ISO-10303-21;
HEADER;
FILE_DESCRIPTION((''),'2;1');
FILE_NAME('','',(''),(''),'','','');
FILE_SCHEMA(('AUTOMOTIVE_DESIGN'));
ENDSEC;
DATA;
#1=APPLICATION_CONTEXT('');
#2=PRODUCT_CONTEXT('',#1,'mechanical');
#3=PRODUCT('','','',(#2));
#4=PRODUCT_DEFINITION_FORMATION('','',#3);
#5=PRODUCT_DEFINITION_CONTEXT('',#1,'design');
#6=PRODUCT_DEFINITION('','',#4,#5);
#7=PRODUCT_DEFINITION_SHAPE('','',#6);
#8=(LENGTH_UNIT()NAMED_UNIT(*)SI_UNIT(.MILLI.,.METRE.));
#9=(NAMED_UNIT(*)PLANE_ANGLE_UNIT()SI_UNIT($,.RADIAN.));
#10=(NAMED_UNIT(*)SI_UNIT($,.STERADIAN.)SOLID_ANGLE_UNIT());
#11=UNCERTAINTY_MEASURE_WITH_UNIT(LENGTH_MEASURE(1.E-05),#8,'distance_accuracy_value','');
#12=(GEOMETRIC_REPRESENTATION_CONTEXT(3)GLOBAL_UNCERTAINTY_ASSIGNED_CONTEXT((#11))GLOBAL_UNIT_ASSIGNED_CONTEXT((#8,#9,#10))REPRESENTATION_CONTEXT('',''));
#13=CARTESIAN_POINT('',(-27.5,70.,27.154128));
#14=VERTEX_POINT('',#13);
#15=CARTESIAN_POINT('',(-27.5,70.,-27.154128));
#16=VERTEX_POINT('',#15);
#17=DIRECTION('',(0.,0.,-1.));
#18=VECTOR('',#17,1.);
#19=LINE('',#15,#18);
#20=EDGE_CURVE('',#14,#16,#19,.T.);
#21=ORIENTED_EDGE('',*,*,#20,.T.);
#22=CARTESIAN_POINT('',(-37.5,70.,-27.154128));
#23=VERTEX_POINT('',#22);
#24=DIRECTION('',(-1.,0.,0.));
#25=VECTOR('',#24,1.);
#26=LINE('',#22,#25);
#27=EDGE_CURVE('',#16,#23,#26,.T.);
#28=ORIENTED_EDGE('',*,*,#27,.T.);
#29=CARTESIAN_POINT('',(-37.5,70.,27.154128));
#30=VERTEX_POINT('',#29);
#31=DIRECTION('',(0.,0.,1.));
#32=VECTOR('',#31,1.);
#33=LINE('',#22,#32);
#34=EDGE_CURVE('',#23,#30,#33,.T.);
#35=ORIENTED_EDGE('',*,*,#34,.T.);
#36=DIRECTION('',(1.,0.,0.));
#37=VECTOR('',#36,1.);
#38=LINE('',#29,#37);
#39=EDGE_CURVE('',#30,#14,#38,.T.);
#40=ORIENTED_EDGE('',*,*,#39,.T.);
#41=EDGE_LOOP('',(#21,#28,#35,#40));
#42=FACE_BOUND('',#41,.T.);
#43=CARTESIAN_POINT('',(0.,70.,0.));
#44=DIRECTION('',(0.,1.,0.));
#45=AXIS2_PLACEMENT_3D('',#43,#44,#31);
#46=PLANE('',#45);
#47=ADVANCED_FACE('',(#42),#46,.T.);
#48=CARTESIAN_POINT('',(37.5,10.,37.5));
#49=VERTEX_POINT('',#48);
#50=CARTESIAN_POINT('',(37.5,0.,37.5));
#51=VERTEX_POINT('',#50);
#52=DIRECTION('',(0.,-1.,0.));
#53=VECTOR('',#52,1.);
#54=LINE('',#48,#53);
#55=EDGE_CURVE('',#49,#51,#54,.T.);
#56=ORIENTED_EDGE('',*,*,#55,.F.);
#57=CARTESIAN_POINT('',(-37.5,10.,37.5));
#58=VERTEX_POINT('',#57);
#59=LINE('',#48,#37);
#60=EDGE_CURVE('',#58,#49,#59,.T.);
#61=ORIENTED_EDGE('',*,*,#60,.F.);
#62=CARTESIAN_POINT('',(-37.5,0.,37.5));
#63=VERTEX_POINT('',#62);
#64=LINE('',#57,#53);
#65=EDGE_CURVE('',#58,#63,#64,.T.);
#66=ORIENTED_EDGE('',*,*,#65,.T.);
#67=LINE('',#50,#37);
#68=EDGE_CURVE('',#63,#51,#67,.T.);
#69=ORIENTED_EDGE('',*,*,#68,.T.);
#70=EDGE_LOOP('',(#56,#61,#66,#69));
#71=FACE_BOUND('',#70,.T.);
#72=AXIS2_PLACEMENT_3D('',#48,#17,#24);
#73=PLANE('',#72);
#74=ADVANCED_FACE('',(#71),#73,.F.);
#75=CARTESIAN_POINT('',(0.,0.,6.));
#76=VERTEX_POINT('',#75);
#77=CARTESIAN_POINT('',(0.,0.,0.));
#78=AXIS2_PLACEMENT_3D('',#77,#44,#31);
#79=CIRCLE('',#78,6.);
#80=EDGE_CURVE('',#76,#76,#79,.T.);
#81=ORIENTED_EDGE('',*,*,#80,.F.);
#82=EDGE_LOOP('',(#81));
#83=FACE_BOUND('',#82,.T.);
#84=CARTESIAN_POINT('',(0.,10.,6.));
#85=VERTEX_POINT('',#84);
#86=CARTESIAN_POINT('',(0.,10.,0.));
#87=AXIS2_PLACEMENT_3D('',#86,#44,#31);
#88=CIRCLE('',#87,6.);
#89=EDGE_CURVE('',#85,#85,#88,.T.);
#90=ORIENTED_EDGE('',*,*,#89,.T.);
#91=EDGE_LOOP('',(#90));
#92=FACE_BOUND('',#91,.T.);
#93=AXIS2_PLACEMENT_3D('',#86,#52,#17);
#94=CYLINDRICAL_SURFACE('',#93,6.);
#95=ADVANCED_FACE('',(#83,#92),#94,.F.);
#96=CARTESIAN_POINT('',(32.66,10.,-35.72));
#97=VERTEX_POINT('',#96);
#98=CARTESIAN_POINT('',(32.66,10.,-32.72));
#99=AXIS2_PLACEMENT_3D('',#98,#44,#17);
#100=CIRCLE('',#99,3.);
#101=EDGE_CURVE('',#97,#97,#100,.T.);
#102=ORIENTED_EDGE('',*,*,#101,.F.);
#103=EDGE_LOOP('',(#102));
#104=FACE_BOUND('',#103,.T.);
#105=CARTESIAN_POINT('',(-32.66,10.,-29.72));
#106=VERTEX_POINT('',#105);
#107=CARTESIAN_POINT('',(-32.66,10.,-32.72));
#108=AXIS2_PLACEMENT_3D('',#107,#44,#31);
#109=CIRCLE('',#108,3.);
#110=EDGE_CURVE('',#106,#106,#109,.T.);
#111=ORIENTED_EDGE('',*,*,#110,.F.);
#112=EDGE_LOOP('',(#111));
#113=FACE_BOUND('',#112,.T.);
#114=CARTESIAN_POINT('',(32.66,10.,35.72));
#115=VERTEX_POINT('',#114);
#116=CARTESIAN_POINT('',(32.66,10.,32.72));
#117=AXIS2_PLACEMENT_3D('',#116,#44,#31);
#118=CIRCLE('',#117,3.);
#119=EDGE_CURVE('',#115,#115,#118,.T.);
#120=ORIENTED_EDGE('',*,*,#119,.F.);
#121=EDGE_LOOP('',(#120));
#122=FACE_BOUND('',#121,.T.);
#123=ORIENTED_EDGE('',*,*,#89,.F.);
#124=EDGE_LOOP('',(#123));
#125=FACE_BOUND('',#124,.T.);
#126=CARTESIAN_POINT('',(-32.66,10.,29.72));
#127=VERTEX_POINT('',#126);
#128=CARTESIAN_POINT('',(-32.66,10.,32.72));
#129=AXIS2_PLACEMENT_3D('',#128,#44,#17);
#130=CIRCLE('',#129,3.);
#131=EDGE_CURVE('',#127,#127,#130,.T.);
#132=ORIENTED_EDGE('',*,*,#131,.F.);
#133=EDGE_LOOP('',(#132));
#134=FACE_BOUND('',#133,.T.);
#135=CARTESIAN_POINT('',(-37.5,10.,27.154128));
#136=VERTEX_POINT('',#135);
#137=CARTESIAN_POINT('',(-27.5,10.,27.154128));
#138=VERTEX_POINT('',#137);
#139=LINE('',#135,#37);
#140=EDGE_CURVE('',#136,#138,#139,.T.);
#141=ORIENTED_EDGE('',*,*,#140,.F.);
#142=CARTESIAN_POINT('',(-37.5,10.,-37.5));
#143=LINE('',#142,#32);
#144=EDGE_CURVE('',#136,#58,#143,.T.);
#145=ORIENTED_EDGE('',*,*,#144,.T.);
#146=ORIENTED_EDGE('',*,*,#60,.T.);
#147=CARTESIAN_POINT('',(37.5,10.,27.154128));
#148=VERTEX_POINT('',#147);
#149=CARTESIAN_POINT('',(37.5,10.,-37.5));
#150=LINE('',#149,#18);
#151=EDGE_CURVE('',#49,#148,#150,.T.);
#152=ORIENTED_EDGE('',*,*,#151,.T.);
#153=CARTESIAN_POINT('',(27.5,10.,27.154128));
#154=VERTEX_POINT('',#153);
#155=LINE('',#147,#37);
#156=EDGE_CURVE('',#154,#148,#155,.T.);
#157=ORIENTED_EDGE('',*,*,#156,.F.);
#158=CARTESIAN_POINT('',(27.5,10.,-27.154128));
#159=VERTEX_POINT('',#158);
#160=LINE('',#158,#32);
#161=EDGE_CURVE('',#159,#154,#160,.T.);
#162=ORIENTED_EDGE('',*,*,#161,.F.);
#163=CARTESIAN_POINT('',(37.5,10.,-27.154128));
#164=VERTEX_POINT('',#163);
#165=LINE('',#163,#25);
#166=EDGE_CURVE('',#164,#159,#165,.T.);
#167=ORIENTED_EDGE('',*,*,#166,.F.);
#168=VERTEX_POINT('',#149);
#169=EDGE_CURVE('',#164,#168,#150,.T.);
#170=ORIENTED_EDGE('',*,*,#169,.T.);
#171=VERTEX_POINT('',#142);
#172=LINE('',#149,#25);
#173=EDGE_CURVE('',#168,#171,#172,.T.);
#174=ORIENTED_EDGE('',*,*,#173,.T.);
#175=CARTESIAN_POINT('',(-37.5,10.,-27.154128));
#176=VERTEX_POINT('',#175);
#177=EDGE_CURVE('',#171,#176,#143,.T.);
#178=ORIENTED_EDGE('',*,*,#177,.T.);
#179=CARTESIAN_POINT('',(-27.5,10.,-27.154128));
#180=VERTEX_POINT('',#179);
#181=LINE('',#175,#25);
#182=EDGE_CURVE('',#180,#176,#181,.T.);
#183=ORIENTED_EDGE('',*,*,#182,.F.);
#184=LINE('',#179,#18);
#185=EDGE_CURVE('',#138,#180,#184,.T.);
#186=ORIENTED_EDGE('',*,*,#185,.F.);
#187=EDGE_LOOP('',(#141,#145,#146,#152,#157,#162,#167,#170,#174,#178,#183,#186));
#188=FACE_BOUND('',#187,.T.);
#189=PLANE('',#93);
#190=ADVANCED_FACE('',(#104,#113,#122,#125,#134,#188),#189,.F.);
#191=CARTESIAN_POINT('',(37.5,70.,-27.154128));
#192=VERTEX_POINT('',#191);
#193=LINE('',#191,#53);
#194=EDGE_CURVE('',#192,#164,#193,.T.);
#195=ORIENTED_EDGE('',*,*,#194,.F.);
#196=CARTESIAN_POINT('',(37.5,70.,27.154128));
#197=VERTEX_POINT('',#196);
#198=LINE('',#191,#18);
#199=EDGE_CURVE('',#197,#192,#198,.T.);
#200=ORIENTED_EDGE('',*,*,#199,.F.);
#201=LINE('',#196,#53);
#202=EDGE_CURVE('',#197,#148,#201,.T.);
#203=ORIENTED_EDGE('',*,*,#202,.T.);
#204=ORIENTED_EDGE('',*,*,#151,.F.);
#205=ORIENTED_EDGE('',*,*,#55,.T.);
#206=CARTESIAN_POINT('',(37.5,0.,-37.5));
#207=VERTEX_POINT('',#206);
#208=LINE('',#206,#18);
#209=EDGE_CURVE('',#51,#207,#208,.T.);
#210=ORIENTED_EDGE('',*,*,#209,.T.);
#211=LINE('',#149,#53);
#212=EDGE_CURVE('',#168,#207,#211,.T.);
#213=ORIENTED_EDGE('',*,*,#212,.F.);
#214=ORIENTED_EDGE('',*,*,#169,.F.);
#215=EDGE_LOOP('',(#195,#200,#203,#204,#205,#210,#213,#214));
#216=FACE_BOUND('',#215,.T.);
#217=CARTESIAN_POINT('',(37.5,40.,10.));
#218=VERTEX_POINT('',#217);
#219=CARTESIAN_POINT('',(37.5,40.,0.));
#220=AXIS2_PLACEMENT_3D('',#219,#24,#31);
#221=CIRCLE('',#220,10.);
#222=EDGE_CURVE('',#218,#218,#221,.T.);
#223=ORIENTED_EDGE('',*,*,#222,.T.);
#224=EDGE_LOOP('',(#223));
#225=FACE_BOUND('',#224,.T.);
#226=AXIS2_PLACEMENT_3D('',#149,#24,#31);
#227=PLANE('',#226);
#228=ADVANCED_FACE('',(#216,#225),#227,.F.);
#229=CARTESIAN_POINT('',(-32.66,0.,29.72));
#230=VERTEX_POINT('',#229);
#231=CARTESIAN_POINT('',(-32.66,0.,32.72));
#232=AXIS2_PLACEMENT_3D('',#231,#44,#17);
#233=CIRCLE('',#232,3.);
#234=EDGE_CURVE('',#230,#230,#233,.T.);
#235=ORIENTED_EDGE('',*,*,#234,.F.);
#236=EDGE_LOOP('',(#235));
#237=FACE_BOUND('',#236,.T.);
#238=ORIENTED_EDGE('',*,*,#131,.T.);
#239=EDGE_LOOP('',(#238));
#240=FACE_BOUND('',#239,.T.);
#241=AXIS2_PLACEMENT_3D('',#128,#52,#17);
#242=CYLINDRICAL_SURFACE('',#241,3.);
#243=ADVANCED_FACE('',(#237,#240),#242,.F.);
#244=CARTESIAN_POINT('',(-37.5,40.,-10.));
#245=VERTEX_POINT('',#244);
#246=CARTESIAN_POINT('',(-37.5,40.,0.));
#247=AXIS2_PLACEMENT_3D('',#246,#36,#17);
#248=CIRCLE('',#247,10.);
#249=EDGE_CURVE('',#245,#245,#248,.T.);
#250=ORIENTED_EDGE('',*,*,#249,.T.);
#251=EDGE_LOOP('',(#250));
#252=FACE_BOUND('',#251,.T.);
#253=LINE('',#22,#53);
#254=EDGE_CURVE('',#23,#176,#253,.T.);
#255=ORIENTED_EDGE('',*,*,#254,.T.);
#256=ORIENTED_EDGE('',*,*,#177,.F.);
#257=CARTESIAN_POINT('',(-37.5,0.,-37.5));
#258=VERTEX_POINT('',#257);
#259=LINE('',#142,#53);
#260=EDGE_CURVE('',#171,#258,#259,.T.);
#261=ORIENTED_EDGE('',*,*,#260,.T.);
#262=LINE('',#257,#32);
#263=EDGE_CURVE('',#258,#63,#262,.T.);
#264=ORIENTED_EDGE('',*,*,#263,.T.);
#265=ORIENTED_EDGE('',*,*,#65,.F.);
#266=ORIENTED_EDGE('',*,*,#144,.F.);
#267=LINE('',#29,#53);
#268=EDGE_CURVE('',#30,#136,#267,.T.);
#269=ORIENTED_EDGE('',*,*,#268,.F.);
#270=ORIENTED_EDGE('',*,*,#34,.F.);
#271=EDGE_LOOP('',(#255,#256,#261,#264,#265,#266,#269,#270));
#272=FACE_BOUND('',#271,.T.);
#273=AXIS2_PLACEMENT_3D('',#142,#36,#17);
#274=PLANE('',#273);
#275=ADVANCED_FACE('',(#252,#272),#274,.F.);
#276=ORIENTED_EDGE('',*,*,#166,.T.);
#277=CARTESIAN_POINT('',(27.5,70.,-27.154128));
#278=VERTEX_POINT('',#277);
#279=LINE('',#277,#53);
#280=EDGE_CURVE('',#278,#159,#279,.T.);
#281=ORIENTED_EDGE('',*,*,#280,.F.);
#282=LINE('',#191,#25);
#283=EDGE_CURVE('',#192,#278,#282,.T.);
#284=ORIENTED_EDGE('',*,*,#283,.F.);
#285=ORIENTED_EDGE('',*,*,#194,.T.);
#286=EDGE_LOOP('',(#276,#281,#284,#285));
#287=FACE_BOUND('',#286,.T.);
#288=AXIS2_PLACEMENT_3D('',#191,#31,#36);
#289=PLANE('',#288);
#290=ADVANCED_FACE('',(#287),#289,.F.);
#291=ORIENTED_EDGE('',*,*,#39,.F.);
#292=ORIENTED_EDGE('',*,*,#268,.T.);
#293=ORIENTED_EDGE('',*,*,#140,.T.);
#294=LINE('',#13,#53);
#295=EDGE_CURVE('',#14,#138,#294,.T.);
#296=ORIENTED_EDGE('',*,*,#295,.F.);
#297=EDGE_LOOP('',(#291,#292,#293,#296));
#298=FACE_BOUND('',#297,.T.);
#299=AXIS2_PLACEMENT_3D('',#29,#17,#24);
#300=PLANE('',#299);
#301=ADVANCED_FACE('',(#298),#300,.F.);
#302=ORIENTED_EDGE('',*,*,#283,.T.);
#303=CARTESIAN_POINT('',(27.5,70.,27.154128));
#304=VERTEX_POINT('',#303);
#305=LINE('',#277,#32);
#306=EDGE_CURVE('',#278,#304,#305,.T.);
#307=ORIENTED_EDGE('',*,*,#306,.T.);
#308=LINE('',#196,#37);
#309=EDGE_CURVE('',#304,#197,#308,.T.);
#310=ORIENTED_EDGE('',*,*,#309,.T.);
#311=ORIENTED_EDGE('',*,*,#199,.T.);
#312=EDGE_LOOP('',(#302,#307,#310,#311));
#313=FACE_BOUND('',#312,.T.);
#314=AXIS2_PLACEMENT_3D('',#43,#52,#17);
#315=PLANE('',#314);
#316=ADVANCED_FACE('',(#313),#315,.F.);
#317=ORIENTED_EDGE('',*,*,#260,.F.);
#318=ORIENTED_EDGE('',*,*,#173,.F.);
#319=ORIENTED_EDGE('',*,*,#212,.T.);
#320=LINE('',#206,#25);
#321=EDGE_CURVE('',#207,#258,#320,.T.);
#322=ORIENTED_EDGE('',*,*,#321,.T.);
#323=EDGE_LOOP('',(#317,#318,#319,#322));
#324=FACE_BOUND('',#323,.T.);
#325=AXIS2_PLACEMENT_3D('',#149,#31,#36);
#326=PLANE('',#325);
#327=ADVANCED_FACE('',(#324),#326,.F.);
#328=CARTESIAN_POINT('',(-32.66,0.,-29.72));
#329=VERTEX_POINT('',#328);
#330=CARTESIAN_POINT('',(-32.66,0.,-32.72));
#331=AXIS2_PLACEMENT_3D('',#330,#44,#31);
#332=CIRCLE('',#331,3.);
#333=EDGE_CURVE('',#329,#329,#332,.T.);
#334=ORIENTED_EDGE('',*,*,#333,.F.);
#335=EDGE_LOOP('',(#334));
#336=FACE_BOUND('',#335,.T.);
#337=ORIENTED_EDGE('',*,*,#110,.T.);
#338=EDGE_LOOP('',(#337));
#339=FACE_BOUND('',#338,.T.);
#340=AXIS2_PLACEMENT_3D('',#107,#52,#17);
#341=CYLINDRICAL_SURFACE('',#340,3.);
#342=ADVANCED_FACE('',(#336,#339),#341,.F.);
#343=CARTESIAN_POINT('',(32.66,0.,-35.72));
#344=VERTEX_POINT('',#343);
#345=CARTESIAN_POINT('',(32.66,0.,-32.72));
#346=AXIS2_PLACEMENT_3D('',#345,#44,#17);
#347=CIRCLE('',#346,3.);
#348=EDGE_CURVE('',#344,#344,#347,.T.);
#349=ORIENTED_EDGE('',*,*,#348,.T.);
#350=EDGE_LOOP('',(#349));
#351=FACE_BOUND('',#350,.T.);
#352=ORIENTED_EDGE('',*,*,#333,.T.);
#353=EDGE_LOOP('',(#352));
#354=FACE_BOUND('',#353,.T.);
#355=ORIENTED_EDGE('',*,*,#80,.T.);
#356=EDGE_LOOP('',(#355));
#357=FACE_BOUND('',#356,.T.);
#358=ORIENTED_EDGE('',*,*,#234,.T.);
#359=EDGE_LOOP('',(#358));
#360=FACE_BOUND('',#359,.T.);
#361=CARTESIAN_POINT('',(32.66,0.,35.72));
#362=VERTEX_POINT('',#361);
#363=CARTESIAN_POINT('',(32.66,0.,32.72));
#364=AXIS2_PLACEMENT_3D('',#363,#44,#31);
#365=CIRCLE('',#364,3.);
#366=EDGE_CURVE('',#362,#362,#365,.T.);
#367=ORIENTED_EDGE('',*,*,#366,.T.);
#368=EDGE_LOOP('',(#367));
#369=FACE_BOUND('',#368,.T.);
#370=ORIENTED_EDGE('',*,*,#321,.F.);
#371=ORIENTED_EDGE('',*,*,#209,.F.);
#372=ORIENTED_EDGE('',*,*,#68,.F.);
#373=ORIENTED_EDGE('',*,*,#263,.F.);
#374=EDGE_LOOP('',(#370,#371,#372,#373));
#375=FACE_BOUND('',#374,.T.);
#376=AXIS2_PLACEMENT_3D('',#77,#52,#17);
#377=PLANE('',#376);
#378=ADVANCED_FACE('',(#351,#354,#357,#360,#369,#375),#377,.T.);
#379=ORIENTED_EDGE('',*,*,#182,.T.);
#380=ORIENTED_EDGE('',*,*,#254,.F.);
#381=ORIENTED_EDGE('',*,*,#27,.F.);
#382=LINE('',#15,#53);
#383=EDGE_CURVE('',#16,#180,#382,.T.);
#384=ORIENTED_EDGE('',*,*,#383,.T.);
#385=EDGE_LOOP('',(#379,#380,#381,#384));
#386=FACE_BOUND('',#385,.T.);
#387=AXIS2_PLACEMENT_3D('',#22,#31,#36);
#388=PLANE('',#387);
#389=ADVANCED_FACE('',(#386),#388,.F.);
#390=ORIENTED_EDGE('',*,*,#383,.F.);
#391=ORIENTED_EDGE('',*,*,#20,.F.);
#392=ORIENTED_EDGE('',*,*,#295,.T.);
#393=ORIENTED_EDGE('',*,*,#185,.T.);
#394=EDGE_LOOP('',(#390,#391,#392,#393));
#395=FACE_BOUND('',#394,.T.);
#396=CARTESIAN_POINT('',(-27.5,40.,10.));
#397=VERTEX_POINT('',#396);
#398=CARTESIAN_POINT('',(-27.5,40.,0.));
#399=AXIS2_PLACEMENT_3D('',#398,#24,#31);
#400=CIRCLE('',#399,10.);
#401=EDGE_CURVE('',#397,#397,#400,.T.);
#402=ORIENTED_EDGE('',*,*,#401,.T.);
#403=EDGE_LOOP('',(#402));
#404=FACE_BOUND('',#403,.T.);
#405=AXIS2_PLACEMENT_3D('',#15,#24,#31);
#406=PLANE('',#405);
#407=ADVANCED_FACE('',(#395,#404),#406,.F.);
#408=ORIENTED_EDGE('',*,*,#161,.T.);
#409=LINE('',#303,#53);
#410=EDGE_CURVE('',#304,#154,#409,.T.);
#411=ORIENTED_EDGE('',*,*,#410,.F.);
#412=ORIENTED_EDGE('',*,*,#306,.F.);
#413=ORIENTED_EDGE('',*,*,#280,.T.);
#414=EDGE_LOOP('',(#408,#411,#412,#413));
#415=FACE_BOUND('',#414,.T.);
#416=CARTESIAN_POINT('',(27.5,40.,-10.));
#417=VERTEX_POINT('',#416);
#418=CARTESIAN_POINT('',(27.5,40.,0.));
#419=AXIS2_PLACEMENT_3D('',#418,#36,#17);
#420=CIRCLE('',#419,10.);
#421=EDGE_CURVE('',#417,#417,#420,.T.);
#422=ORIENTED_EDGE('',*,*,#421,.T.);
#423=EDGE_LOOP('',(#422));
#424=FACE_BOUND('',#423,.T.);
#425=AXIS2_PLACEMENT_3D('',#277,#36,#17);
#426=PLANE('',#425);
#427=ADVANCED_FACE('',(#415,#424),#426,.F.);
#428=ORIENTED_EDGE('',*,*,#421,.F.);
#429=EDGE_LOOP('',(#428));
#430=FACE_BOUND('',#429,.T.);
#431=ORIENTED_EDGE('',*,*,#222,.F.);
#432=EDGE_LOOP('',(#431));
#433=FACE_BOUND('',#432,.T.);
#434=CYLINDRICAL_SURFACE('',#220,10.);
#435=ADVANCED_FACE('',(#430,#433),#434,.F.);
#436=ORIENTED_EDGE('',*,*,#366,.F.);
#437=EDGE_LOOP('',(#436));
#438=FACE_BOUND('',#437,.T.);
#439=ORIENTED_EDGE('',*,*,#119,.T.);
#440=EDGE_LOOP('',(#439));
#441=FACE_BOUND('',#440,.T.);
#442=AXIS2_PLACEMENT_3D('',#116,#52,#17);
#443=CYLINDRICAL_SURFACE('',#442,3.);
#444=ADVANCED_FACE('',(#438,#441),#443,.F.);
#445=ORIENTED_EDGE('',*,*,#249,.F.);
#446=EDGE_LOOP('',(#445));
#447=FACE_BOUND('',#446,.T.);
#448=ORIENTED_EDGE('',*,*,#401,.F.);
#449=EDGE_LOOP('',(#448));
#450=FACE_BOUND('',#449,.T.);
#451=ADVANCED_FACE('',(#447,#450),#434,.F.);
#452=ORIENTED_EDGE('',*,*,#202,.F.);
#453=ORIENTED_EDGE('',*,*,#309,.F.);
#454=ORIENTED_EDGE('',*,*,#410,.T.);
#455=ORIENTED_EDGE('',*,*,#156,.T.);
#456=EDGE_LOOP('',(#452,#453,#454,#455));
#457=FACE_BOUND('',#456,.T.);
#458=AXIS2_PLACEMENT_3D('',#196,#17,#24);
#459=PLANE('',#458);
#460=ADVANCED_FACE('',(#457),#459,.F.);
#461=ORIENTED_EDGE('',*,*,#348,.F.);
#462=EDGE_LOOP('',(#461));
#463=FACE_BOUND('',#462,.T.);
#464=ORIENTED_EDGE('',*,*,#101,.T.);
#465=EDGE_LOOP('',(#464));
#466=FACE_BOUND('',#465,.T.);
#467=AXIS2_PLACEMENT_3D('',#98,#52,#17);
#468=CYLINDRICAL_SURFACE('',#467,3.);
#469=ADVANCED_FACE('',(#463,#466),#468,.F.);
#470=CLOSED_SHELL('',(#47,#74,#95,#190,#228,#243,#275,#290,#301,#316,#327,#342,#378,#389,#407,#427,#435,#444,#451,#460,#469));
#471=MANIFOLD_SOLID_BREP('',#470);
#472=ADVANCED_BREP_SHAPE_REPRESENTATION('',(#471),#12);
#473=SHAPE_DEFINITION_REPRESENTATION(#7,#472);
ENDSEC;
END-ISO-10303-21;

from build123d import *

# Parameters (mm, degrees)
SKETCH1_W               = 75
SKETCH1_H               = 75
SKETCH1_R               = 3
SKETCH1_R_2             = 6
BOSS_EXTRUDE1_DEPTH     = 10
SKETCH2_W               = 10
SKETCH2_H               = 54.30825561
BOSS_EXTRUDE2_DEPTH     = 60
CUT_EXTRUDE1_DEPTH      = 110.230261375
CUT_EXTRUDE1_DEPTH_BACK = 110.230261375
SKETCH3_R               = 10


with BuildPart() as part:
    # Sketch1 → Boss-Extrude1 (new body)
    with BuildSketch(Plane(origin=(0, 0, 0), x_dir=(1, 0, 0), z_dir=(0, 1, 0))):
        Rectangle(SKETCH1_W, SKETCH1_H)
        with Locations(Location((-32.66, 32.72, 0), (0, 0, 270))):
            Circle(SKETCH1_R, mode=Mode.SUBTRACT)
        with Locations(Location((32.66, 32.72, 0), (0, 0, 90))):
            Circle(SKETCH1_R, mode=Mode.SUBTRACT)
        with Locations(Location((32.66, -32.72, 0), (0, 0, 270))):
            Circle(SKETCH1_R, mode=Mode.SUBTRACT)
        with Locations(Location((-32.66, -32.72, 0), (0, 0, 90))):
            Circle(SKETCH1_R, mode=Mode.SUBTRACT)
        with Locations(Location((0, 0, 0), (0, 0, 270))):
            Circle(SKETCH1_R_2, mode=Mode.SUBTRACT)
    extrude(amount=BOSS_EXTRUDE1_DEPTH)

    # Sketch2 → Boss-Extrude2 (add)
    with BuildSketch(Plane(origin=(0, 10, 0), x_dir=(1, 0, 0), z_dir=(0, 1, 0))):
        with Locations((-32.5, 0)):
            Rectangle(SKETCH2_W, SKETCH2_H)
        with Locations((32.5, 0)):
            Rectangle(SKETCH2_W, SKETCH2_H)
    extrude(amount=BOSS_EXTRUDE2_DEPTH)

    # Sketch3 → Cut-Extrude1 (cut, two sides: drawn at the far end of the back side and taken through both)
    with BuildSketch(Plane.ZY.offset(37.5).offset(-CUT_EXTRUDE1_DEPTH_BACK)):
        with Locations((0, 40)):
            Circle(SKETCH3_R)
    extrude(amount=CUT_EXTRUDE1_DEPTH + CUT_EXTRUDE1_DEPTH_BACK, mode=Mode.SUBTRACT)


solid = part.part
